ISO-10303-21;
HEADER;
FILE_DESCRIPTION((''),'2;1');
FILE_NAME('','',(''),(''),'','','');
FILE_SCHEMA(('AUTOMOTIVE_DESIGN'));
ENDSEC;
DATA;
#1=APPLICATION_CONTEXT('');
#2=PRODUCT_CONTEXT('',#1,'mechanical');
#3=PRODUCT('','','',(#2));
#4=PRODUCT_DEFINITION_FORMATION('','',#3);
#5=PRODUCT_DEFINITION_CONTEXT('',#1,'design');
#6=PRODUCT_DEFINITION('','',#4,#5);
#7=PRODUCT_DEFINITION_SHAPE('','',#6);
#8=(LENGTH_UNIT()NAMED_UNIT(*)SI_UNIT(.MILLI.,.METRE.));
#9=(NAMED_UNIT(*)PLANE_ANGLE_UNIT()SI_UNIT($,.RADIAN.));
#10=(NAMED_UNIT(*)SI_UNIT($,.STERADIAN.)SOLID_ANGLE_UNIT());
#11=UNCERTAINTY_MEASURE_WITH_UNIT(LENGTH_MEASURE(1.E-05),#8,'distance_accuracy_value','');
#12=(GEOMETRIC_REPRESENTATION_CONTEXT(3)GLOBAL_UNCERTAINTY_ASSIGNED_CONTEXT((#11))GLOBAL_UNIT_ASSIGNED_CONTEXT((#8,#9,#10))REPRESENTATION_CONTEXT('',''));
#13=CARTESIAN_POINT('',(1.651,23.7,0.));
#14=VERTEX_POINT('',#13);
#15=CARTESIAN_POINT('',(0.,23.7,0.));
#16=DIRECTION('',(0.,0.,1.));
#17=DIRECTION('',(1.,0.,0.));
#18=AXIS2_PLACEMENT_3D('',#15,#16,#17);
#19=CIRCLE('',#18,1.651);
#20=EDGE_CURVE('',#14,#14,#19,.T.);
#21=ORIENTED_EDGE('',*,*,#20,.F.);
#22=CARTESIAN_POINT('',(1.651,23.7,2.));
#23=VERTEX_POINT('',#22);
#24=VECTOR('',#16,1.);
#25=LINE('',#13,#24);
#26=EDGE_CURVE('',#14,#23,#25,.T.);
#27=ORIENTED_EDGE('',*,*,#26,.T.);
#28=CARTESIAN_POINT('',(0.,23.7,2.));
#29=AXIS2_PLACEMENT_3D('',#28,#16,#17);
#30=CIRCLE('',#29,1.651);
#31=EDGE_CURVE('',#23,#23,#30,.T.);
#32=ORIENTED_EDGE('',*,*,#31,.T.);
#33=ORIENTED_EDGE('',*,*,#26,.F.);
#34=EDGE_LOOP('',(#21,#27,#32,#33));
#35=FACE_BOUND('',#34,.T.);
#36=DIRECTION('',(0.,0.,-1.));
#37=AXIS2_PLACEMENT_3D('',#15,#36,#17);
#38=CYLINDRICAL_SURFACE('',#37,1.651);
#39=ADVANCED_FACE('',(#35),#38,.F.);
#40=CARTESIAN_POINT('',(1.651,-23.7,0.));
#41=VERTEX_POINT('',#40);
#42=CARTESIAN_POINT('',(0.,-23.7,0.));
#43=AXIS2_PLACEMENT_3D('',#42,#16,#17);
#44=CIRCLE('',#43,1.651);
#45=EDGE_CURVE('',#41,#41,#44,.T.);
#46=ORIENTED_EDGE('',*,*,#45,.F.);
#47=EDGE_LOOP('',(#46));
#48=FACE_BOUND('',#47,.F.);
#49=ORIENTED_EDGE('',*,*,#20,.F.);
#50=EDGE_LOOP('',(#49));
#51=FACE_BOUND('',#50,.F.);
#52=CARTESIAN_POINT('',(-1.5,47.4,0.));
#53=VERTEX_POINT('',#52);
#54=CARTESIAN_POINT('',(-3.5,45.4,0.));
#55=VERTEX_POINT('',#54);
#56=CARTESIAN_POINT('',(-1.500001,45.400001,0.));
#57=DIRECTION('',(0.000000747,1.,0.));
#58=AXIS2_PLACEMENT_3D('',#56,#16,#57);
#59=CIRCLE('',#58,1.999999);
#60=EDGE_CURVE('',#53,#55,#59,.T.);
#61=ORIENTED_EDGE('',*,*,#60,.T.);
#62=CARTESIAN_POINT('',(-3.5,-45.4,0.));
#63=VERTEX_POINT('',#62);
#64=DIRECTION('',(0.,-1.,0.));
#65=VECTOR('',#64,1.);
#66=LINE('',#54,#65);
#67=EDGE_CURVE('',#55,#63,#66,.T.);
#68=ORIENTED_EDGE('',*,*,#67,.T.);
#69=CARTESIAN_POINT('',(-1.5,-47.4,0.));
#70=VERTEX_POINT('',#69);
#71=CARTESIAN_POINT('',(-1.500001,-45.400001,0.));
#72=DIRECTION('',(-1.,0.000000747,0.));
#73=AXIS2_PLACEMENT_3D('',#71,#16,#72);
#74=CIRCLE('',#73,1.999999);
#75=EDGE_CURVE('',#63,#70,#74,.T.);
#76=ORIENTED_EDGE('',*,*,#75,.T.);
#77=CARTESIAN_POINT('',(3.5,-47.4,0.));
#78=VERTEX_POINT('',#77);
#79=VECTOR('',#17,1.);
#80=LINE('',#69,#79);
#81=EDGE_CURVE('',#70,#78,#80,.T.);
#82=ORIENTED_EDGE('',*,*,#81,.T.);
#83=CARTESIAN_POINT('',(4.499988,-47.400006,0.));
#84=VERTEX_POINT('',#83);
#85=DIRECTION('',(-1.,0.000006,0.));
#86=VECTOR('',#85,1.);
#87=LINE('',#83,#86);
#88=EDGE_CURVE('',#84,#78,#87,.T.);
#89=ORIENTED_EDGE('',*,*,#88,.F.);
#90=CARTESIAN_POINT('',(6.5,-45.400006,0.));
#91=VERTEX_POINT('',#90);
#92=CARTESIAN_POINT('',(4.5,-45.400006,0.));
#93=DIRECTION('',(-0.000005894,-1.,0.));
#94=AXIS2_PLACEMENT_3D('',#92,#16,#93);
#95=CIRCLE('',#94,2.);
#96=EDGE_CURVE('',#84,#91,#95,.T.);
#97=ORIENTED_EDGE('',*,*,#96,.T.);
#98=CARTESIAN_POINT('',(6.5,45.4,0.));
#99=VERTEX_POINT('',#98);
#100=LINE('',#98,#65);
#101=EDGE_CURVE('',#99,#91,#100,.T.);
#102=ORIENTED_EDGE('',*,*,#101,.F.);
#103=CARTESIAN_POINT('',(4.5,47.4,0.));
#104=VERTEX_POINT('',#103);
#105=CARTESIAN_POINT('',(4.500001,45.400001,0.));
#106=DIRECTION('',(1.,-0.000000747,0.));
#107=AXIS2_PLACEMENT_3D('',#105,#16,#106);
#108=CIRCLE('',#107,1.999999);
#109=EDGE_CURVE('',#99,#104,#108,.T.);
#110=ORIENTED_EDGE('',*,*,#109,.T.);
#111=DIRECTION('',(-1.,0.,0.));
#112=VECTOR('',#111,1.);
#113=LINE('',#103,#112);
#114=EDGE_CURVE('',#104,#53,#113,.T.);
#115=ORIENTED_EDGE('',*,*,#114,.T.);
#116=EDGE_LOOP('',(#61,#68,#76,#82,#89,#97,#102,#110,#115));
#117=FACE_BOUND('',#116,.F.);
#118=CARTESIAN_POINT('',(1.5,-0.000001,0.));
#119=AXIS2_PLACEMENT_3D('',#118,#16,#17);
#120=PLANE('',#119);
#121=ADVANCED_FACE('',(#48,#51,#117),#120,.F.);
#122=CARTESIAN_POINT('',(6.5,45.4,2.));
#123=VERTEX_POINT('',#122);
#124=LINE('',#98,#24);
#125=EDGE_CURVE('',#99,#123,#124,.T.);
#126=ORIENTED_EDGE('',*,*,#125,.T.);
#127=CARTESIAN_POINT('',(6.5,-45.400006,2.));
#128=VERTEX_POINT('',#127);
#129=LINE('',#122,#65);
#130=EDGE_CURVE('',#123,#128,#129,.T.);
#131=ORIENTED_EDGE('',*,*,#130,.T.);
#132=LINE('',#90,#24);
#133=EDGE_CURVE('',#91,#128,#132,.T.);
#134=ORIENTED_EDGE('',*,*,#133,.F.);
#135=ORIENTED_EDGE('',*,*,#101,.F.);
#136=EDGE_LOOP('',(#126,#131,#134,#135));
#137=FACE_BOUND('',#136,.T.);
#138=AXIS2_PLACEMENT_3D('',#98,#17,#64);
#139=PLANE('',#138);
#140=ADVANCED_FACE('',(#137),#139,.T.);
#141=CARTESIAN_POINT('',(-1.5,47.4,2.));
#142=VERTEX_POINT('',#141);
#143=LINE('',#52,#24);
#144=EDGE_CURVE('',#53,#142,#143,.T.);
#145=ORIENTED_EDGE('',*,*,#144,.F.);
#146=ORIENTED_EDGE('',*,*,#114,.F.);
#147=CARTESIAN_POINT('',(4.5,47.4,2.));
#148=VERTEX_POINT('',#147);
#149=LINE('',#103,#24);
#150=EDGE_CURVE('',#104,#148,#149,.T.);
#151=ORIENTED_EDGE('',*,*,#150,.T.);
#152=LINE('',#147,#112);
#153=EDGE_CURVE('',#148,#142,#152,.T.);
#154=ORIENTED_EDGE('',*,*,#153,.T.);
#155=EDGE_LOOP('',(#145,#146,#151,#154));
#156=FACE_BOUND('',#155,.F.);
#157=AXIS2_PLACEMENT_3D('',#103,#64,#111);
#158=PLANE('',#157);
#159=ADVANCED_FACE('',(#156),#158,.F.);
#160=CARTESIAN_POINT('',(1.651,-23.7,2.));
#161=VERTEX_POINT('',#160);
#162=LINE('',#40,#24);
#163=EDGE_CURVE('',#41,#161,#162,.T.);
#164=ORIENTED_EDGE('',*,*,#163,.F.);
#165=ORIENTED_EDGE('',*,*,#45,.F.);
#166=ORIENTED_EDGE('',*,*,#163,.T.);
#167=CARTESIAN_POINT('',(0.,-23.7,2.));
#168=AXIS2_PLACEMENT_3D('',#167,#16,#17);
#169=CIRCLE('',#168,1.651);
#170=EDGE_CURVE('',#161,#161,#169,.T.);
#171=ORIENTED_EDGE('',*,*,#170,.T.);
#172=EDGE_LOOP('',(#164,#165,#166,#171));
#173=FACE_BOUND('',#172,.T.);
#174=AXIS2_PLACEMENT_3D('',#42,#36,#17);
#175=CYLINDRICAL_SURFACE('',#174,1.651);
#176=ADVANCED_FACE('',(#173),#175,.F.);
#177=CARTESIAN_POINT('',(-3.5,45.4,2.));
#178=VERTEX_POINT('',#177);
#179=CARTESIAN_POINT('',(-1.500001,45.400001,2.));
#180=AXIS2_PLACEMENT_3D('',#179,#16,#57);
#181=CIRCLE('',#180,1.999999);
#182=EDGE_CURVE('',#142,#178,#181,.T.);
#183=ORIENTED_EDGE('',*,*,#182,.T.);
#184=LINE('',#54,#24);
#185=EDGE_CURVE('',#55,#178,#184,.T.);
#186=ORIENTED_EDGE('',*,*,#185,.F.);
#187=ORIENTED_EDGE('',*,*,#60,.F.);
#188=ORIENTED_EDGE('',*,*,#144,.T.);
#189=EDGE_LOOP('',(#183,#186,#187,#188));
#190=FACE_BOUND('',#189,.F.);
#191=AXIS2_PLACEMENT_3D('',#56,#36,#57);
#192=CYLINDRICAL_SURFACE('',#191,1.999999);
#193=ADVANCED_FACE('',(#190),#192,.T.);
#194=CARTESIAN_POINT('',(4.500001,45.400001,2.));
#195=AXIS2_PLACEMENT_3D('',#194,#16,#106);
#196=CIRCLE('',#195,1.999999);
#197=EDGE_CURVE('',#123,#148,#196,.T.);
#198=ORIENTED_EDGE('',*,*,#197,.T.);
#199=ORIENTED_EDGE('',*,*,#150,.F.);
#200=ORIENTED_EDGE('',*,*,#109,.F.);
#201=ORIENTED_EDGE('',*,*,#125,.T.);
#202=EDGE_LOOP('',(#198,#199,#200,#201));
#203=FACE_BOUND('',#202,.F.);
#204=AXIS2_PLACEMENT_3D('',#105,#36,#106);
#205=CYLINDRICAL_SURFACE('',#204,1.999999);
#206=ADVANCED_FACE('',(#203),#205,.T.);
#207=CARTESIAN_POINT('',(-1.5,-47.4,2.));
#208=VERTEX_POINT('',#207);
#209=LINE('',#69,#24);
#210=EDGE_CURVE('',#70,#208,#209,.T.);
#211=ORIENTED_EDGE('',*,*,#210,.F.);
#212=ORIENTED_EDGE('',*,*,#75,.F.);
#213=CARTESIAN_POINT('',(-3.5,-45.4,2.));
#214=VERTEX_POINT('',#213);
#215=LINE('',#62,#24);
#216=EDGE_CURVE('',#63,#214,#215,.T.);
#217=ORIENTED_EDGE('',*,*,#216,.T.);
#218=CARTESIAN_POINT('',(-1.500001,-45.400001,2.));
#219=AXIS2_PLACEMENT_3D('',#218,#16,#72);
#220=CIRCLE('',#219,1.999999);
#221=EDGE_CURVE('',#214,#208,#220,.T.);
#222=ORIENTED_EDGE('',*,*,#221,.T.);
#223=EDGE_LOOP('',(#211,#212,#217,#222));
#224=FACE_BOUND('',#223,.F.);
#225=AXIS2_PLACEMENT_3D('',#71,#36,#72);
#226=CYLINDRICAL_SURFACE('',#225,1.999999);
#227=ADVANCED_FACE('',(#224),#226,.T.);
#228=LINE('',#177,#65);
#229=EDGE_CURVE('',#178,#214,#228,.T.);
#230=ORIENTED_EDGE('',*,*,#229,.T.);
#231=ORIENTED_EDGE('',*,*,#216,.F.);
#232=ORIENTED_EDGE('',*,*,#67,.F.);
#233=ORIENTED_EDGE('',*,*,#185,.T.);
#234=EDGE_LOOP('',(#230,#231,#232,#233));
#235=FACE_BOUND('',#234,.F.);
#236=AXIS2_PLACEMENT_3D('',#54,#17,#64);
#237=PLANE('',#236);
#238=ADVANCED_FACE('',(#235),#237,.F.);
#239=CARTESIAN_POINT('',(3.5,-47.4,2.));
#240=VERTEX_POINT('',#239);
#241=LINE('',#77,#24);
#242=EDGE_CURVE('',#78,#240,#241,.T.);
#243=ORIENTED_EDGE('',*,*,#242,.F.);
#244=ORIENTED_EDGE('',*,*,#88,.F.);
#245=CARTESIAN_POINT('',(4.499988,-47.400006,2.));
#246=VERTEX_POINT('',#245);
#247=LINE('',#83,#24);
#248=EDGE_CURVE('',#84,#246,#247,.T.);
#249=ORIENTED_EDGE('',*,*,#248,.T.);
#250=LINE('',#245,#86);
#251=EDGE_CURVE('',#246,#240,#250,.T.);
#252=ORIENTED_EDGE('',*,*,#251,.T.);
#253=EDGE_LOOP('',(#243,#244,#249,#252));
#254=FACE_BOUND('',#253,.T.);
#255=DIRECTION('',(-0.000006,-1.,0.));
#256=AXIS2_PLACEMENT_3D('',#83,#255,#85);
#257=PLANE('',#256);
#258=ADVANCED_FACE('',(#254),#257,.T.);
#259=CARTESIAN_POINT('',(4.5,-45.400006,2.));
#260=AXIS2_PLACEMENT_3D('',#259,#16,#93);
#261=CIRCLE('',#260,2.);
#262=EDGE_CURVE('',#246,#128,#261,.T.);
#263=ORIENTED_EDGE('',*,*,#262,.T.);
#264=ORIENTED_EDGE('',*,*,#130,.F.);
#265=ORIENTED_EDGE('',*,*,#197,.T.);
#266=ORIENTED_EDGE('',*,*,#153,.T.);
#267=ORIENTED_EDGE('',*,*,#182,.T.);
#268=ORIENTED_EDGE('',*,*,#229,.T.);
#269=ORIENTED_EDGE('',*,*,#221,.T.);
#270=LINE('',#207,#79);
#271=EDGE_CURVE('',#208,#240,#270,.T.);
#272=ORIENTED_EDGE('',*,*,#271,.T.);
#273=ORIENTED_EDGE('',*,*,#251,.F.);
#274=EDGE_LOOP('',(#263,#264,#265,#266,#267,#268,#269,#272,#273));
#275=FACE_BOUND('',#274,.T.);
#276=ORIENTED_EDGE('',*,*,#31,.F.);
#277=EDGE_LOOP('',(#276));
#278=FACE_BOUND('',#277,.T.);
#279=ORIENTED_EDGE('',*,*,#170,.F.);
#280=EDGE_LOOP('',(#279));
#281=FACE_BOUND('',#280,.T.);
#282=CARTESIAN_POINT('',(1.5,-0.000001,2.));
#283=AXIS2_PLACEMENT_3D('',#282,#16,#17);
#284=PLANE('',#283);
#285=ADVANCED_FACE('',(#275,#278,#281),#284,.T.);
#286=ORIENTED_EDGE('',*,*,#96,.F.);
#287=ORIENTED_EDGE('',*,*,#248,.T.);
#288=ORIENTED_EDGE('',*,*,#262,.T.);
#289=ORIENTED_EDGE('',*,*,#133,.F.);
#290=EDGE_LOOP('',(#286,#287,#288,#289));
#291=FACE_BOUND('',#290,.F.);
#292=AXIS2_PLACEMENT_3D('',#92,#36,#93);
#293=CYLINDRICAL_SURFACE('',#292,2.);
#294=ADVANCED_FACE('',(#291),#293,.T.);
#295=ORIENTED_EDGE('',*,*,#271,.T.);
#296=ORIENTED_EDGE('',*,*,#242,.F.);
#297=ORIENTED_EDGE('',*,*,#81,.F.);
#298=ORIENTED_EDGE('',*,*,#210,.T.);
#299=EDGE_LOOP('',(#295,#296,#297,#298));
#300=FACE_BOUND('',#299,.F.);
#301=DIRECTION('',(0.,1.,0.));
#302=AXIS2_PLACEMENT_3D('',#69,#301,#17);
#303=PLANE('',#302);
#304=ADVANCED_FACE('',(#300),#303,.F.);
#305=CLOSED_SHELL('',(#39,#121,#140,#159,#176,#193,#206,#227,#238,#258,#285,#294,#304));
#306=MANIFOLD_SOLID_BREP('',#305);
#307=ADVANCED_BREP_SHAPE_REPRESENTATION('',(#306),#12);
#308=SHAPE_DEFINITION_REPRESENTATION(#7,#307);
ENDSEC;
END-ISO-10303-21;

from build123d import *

# Parameters (mm, degrees)
SKETCH_R  = 1.651
PAD_DEPTH = 2


with BuildPart() as part:
    # Sketch → Pad (new body)
    with BuildSketch(Plane.XY):
        with BuildLine():
            Line((-3.5, 45.4), (-3.5, -45.4))
            ThreePointArc((-3.5, -45.4), (-2.914214, -46.814214), (-1.5, -47.4))
            Line((-1.5, -47.4), (1.5, -47.4))
            Line((1.5, -47.4), (3.5, -47.4))
            Line((4.499988, -47.400006), (3.5, -47.4))
            ThreePointArc((4.499988, -47.400006), (5.914209, -46.814224), (6.5, -45.400006))
            Line((6.5, 45.4), (6.5, -45.400006))
            ThreePointArc((6.5, 45.4), (5.914214, 46.814214), (4.5, 47.4))
            Line((3.5, 47.4), (4.5, 47.4))
            Line((1.5, 47.4), (3.5, 47.4))
            Line((1.5, 47.4), (-1.5, 47.4))
            ThreePointArc((-1.5, 47.4), (-2.914214, 46.814214), (-3.5, 45.4))
        make_face()
        with Locations((0, 23.7)):
            Circle(SKETCH_R, mode=Mode.SUBTRACT)
        with Locations((0, -23.7)):
            Circle(SKETCH_R, mode=Mode.SUBTRACT)
    extrude(amount=PAD_DEPTH)


solid = part.part
